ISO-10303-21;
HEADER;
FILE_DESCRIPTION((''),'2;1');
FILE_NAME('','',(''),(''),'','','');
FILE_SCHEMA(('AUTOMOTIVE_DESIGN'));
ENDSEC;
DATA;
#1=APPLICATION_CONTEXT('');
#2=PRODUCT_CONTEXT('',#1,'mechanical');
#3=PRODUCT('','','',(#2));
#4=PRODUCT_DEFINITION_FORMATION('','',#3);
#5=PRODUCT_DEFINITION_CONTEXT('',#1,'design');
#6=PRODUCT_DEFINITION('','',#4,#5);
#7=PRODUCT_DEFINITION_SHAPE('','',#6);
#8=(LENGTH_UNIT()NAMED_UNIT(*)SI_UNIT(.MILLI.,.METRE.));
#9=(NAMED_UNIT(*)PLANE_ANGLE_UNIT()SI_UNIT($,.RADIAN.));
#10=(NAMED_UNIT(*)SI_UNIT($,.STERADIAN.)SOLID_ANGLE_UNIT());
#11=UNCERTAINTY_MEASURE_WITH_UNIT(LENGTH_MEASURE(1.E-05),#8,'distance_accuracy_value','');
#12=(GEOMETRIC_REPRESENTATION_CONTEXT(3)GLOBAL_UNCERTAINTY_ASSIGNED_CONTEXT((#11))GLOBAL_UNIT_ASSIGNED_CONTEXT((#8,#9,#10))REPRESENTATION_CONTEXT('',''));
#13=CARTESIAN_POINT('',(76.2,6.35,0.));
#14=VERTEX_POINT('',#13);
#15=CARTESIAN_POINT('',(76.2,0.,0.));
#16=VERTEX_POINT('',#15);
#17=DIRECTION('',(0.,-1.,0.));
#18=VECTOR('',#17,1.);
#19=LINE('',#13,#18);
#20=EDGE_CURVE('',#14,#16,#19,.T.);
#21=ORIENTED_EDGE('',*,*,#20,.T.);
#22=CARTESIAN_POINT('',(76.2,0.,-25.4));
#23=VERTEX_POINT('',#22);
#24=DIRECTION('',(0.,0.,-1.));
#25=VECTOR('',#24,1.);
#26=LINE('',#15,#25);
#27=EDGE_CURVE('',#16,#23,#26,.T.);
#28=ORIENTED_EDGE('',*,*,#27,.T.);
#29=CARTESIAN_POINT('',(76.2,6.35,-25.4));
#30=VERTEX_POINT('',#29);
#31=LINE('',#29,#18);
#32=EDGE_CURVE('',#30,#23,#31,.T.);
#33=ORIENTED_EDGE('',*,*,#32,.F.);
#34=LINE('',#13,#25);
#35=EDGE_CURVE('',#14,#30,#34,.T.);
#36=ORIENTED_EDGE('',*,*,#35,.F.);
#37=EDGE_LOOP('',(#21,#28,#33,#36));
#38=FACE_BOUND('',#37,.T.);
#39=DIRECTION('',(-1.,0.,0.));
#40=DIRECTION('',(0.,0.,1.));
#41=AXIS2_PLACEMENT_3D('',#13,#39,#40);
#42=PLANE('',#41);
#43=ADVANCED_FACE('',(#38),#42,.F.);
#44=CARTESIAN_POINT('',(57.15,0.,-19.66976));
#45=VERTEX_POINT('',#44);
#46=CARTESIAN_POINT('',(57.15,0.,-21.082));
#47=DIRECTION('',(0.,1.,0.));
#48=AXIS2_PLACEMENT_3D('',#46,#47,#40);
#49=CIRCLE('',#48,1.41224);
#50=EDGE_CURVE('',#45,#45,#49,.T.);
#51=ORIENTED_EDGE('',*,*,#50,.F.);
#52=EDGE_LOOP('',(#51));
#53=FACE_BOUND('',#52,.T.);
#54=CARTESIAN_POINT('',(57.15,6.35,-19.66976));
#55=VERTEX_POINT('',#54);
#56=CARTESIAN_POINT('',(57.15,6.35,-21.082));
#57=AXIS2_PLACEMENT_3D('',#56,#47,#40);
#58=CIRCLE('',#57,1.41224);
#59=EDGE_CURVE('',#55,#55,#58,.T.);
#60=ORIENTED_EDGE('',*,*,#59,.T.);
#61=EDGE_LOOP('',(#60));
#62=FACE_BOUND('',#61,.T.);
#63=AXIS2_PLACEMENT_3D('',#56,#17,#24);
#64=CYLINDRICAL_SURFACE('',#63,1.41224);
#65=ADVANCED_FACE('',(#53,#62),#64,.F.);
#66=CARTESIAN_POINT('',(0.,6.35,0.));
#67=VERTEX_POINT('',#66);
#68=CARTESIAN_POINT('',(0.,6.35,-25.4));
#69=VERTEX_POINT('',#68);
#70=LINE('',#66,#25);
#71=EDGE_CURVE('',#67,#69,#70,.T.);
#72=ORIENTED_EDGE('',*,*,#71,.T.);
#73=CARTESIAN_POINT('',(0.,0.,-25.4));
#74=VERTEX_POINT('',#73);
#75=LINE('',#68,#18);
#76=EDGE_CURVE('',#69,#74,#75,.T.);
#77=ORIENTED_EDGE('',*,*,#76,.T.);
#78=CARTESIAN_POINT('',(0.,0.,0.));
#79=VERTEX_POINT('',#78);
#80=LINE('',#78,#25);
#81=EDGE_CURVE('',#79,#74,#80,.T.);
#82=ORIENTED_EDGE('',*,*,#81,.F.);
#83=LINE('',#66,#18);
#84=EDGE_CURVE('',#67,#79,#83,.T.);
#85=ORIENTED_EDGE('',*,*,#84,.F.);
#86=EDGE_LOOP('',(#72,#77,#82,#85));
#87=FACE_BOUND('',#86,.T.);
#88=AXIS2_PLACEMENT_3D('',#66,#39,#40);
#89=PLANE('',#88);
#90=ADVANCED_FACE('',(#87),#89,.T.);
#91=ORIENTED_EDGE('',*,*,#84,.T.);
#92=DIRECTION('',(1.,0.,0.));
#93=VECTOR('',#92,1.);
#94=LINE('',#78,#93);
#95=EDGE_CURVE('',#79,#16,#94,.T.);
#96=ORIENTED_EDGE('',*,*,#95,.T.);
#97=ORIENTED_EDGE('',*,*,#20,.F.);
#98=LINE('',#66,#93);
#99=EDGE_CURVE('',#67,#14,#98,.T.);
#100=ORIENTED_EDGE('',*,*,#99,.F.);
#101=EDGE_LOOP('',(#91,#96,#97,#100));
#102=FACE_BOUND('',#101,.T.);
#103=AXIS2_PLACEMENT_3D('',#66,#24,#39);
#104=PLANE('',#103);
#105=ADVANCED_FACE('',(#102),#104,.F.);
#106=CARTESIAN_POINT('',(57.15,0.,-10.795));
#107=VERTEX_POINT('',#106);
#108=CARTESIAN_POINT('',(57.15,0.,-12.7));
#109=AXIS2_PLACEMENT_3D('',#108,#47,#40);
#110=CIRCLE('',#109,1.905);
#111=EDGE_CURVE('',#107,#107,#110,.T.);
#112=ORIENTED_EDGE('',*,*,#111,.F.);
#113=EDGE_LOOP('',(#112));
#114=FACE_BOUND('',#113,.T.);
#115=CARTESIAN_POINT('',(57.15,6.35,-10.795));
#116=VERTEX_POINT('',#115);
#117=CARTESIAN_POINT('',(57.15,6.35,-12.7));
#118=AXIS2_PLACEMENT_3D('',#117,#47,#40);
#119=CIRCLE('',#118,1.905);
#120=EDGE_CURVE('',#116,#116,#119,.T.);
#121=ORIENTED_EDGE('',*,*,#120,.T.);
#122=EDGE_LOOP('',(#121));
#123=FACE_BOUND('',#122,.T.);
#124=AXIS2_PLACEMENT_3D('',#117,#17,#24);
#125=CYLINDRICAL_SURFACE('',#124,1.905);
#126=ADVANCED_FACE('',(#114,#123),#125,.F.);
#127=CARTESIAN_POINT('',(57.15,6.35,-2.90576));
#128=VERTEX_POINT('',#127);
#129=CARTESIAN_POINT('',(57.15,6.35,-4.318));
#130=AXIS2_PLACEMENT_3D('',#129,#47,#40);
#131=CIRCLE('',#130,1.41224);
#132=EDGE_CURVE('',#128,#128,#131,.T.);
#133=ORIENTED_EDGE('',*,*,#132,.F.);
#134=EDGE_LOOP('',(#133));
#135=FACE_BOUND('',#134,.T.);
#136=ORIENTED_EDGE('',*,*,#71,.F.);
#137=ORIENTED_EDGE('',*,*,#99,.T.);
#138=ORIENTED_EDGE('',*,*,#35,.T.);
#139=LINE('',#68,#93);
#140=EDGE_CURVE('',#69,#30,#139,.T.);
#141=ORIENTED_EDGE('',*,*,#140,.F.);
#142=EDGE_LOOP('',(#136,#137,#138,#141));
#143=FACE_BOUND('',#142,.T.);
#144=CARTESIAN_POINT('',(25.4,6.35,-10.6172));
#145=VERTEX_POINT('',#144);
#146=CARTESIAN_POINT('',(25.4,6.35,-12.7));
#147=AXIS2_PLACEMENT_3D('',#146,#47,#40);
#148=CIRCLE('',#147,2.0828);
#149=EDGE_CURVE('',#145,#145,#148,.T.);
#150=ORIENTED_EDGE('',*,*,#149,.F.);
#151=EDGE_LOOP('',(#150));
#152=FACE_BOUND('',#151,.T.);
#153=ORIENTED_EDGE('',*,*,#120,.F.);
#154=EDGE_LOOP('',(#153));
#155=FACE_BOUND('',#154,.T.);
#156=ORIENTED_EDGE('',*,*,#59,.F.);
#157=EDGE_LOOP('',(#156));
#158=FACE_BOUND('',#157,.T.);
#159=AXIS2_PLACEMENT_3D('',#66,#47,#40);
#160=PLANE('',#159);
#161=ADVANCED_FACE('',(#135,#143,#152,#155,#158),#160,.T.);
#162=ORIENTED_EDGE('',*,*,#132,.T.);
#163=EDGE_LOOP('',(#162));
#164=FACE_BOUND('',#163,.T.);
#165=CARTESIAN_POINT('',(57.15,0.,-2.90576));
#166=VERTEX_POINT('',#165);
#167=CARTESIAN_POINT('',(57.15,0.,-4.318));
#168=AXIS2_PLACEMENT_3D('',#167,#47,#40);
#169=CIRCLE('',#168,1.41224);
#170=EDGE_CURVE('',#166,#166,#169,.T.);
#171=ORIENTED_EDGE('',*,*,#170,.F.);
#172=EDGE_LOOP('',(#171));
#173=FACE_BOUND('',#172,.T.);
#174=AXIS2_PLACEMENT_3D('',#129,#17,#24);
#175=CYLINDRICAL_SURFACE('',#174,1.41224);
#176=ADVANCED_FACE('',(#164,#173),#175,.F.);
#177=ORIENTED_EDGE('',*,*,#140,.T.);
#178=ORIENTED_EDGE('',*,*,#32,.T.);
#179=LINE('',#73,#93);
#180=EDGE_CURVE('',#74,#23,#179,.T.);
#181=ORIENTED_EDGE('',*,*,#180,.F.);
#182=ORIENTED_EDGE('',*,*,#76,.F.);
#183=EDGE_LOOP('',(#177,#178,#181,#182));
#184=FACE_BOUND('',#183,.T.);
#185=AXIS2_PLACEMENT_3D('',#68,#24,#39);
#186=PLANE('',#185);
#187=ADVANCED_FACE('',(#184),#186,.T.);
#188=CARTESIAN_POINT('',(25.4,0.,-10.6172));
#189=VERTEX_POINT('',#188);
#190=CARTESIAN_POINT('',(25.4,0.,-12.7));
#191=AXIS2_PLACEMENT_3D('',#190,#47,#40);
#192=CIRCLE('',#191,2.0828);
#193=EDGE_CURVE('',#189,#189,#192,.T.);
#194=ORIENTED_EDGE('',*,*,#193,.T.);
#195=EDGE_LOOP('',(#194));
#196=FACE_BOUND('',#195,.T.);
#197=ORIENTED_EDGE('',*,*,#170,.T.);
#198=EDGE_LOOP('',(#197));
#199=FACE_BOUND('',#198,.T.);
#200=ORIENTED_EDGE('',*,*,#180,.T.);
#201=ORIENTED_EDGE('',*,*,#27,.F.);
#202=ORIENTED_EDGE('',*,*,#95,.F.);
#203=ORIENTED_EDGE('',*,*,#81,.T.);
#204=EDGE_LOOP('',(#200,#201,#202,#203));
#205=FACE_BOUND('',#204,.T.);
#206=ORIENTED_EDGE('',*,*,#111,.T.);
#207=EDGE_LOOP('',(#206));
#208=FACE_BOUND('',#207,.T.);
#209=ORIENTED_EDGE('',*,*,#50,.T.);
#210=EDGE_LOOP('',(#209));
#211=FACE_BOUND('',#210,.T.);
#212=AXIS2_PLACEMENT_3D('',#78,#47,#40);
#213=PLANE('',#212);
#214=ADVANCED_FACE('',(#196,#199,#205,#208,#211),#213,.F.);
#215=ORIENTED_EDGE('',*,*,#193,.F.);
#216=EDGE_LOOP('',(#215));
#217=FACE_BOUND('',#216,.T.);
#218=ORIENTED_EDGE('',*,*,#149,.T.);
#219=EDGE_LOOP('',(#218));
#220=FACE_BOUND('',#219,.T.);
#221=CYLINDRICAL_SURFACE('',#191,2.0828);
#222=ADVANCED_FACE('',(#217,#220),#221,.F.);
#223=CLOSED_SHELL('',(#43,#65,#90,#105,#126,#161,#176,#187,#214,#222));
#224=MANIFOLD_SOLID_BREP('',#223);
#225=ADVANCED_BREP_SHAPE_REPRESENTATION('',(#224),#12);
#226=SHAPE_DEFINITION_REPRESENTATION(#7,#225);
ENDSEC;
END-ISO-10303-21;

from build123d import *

# Parameters (mm, degrees)
SKETCH2_W           = 76.2
SKETCH2_H           = 25.4
SKETCH2_R           = 1.41224
SKETCH2_R_2         = 1.905
BOSS_EXTRUDE1_DEPTH = 6.35
SKETCH3_R           = 2.0828
CUT_EXTRUDE1_DEPTH  = 6.35


with BuildPart() as part:
    # Sketch2 → Boss-Extrude1 (new body)
    with BuildSketch(Plane(origin=(0, 0, 0), x_dir=(1, 0, 0), z_dir=(0, 1, 0))):
        with Locations((38.1, 12.7)):
            Rectangle(SKETCH2_W, SKETCH2_H)
        with Locations(Location((57.15, 21.082, 0), (0, 0, 270))):
            Circle(SKETCH2_R, mode=Mode.SUBTRACT)
        with Locations(Location((57.15, 4.318, 0), (0, 0, 270))):
            Circle(SKETCH2_R, mode=Mode.SUBTRACT)
        with Locations(Location((57.15, 12.7, 0), (0, 0, 270))):
            Circle(SKETCH2_R_2, mode=Mode.SUBTRACT)
    extrude(amount=BOSS_EXTRUDE1_DEPTH)

    # Sketch3 → Cut-Extrude1 (cut)
    with BuildSketch(Plane(origin=(0, 6.35, 0), x_dir=(1, 0, 0), z_dir=(0, 1, 0))):
        with Locations(Location((25.4, 12.7, 0), (0, 0, 270))):
            Circle(SKETCH3_R)
    extrude(amount=-CUT_EXTRUDE1_DEPTH, mode=Mode.SUBTRACT)


solid = part.part
